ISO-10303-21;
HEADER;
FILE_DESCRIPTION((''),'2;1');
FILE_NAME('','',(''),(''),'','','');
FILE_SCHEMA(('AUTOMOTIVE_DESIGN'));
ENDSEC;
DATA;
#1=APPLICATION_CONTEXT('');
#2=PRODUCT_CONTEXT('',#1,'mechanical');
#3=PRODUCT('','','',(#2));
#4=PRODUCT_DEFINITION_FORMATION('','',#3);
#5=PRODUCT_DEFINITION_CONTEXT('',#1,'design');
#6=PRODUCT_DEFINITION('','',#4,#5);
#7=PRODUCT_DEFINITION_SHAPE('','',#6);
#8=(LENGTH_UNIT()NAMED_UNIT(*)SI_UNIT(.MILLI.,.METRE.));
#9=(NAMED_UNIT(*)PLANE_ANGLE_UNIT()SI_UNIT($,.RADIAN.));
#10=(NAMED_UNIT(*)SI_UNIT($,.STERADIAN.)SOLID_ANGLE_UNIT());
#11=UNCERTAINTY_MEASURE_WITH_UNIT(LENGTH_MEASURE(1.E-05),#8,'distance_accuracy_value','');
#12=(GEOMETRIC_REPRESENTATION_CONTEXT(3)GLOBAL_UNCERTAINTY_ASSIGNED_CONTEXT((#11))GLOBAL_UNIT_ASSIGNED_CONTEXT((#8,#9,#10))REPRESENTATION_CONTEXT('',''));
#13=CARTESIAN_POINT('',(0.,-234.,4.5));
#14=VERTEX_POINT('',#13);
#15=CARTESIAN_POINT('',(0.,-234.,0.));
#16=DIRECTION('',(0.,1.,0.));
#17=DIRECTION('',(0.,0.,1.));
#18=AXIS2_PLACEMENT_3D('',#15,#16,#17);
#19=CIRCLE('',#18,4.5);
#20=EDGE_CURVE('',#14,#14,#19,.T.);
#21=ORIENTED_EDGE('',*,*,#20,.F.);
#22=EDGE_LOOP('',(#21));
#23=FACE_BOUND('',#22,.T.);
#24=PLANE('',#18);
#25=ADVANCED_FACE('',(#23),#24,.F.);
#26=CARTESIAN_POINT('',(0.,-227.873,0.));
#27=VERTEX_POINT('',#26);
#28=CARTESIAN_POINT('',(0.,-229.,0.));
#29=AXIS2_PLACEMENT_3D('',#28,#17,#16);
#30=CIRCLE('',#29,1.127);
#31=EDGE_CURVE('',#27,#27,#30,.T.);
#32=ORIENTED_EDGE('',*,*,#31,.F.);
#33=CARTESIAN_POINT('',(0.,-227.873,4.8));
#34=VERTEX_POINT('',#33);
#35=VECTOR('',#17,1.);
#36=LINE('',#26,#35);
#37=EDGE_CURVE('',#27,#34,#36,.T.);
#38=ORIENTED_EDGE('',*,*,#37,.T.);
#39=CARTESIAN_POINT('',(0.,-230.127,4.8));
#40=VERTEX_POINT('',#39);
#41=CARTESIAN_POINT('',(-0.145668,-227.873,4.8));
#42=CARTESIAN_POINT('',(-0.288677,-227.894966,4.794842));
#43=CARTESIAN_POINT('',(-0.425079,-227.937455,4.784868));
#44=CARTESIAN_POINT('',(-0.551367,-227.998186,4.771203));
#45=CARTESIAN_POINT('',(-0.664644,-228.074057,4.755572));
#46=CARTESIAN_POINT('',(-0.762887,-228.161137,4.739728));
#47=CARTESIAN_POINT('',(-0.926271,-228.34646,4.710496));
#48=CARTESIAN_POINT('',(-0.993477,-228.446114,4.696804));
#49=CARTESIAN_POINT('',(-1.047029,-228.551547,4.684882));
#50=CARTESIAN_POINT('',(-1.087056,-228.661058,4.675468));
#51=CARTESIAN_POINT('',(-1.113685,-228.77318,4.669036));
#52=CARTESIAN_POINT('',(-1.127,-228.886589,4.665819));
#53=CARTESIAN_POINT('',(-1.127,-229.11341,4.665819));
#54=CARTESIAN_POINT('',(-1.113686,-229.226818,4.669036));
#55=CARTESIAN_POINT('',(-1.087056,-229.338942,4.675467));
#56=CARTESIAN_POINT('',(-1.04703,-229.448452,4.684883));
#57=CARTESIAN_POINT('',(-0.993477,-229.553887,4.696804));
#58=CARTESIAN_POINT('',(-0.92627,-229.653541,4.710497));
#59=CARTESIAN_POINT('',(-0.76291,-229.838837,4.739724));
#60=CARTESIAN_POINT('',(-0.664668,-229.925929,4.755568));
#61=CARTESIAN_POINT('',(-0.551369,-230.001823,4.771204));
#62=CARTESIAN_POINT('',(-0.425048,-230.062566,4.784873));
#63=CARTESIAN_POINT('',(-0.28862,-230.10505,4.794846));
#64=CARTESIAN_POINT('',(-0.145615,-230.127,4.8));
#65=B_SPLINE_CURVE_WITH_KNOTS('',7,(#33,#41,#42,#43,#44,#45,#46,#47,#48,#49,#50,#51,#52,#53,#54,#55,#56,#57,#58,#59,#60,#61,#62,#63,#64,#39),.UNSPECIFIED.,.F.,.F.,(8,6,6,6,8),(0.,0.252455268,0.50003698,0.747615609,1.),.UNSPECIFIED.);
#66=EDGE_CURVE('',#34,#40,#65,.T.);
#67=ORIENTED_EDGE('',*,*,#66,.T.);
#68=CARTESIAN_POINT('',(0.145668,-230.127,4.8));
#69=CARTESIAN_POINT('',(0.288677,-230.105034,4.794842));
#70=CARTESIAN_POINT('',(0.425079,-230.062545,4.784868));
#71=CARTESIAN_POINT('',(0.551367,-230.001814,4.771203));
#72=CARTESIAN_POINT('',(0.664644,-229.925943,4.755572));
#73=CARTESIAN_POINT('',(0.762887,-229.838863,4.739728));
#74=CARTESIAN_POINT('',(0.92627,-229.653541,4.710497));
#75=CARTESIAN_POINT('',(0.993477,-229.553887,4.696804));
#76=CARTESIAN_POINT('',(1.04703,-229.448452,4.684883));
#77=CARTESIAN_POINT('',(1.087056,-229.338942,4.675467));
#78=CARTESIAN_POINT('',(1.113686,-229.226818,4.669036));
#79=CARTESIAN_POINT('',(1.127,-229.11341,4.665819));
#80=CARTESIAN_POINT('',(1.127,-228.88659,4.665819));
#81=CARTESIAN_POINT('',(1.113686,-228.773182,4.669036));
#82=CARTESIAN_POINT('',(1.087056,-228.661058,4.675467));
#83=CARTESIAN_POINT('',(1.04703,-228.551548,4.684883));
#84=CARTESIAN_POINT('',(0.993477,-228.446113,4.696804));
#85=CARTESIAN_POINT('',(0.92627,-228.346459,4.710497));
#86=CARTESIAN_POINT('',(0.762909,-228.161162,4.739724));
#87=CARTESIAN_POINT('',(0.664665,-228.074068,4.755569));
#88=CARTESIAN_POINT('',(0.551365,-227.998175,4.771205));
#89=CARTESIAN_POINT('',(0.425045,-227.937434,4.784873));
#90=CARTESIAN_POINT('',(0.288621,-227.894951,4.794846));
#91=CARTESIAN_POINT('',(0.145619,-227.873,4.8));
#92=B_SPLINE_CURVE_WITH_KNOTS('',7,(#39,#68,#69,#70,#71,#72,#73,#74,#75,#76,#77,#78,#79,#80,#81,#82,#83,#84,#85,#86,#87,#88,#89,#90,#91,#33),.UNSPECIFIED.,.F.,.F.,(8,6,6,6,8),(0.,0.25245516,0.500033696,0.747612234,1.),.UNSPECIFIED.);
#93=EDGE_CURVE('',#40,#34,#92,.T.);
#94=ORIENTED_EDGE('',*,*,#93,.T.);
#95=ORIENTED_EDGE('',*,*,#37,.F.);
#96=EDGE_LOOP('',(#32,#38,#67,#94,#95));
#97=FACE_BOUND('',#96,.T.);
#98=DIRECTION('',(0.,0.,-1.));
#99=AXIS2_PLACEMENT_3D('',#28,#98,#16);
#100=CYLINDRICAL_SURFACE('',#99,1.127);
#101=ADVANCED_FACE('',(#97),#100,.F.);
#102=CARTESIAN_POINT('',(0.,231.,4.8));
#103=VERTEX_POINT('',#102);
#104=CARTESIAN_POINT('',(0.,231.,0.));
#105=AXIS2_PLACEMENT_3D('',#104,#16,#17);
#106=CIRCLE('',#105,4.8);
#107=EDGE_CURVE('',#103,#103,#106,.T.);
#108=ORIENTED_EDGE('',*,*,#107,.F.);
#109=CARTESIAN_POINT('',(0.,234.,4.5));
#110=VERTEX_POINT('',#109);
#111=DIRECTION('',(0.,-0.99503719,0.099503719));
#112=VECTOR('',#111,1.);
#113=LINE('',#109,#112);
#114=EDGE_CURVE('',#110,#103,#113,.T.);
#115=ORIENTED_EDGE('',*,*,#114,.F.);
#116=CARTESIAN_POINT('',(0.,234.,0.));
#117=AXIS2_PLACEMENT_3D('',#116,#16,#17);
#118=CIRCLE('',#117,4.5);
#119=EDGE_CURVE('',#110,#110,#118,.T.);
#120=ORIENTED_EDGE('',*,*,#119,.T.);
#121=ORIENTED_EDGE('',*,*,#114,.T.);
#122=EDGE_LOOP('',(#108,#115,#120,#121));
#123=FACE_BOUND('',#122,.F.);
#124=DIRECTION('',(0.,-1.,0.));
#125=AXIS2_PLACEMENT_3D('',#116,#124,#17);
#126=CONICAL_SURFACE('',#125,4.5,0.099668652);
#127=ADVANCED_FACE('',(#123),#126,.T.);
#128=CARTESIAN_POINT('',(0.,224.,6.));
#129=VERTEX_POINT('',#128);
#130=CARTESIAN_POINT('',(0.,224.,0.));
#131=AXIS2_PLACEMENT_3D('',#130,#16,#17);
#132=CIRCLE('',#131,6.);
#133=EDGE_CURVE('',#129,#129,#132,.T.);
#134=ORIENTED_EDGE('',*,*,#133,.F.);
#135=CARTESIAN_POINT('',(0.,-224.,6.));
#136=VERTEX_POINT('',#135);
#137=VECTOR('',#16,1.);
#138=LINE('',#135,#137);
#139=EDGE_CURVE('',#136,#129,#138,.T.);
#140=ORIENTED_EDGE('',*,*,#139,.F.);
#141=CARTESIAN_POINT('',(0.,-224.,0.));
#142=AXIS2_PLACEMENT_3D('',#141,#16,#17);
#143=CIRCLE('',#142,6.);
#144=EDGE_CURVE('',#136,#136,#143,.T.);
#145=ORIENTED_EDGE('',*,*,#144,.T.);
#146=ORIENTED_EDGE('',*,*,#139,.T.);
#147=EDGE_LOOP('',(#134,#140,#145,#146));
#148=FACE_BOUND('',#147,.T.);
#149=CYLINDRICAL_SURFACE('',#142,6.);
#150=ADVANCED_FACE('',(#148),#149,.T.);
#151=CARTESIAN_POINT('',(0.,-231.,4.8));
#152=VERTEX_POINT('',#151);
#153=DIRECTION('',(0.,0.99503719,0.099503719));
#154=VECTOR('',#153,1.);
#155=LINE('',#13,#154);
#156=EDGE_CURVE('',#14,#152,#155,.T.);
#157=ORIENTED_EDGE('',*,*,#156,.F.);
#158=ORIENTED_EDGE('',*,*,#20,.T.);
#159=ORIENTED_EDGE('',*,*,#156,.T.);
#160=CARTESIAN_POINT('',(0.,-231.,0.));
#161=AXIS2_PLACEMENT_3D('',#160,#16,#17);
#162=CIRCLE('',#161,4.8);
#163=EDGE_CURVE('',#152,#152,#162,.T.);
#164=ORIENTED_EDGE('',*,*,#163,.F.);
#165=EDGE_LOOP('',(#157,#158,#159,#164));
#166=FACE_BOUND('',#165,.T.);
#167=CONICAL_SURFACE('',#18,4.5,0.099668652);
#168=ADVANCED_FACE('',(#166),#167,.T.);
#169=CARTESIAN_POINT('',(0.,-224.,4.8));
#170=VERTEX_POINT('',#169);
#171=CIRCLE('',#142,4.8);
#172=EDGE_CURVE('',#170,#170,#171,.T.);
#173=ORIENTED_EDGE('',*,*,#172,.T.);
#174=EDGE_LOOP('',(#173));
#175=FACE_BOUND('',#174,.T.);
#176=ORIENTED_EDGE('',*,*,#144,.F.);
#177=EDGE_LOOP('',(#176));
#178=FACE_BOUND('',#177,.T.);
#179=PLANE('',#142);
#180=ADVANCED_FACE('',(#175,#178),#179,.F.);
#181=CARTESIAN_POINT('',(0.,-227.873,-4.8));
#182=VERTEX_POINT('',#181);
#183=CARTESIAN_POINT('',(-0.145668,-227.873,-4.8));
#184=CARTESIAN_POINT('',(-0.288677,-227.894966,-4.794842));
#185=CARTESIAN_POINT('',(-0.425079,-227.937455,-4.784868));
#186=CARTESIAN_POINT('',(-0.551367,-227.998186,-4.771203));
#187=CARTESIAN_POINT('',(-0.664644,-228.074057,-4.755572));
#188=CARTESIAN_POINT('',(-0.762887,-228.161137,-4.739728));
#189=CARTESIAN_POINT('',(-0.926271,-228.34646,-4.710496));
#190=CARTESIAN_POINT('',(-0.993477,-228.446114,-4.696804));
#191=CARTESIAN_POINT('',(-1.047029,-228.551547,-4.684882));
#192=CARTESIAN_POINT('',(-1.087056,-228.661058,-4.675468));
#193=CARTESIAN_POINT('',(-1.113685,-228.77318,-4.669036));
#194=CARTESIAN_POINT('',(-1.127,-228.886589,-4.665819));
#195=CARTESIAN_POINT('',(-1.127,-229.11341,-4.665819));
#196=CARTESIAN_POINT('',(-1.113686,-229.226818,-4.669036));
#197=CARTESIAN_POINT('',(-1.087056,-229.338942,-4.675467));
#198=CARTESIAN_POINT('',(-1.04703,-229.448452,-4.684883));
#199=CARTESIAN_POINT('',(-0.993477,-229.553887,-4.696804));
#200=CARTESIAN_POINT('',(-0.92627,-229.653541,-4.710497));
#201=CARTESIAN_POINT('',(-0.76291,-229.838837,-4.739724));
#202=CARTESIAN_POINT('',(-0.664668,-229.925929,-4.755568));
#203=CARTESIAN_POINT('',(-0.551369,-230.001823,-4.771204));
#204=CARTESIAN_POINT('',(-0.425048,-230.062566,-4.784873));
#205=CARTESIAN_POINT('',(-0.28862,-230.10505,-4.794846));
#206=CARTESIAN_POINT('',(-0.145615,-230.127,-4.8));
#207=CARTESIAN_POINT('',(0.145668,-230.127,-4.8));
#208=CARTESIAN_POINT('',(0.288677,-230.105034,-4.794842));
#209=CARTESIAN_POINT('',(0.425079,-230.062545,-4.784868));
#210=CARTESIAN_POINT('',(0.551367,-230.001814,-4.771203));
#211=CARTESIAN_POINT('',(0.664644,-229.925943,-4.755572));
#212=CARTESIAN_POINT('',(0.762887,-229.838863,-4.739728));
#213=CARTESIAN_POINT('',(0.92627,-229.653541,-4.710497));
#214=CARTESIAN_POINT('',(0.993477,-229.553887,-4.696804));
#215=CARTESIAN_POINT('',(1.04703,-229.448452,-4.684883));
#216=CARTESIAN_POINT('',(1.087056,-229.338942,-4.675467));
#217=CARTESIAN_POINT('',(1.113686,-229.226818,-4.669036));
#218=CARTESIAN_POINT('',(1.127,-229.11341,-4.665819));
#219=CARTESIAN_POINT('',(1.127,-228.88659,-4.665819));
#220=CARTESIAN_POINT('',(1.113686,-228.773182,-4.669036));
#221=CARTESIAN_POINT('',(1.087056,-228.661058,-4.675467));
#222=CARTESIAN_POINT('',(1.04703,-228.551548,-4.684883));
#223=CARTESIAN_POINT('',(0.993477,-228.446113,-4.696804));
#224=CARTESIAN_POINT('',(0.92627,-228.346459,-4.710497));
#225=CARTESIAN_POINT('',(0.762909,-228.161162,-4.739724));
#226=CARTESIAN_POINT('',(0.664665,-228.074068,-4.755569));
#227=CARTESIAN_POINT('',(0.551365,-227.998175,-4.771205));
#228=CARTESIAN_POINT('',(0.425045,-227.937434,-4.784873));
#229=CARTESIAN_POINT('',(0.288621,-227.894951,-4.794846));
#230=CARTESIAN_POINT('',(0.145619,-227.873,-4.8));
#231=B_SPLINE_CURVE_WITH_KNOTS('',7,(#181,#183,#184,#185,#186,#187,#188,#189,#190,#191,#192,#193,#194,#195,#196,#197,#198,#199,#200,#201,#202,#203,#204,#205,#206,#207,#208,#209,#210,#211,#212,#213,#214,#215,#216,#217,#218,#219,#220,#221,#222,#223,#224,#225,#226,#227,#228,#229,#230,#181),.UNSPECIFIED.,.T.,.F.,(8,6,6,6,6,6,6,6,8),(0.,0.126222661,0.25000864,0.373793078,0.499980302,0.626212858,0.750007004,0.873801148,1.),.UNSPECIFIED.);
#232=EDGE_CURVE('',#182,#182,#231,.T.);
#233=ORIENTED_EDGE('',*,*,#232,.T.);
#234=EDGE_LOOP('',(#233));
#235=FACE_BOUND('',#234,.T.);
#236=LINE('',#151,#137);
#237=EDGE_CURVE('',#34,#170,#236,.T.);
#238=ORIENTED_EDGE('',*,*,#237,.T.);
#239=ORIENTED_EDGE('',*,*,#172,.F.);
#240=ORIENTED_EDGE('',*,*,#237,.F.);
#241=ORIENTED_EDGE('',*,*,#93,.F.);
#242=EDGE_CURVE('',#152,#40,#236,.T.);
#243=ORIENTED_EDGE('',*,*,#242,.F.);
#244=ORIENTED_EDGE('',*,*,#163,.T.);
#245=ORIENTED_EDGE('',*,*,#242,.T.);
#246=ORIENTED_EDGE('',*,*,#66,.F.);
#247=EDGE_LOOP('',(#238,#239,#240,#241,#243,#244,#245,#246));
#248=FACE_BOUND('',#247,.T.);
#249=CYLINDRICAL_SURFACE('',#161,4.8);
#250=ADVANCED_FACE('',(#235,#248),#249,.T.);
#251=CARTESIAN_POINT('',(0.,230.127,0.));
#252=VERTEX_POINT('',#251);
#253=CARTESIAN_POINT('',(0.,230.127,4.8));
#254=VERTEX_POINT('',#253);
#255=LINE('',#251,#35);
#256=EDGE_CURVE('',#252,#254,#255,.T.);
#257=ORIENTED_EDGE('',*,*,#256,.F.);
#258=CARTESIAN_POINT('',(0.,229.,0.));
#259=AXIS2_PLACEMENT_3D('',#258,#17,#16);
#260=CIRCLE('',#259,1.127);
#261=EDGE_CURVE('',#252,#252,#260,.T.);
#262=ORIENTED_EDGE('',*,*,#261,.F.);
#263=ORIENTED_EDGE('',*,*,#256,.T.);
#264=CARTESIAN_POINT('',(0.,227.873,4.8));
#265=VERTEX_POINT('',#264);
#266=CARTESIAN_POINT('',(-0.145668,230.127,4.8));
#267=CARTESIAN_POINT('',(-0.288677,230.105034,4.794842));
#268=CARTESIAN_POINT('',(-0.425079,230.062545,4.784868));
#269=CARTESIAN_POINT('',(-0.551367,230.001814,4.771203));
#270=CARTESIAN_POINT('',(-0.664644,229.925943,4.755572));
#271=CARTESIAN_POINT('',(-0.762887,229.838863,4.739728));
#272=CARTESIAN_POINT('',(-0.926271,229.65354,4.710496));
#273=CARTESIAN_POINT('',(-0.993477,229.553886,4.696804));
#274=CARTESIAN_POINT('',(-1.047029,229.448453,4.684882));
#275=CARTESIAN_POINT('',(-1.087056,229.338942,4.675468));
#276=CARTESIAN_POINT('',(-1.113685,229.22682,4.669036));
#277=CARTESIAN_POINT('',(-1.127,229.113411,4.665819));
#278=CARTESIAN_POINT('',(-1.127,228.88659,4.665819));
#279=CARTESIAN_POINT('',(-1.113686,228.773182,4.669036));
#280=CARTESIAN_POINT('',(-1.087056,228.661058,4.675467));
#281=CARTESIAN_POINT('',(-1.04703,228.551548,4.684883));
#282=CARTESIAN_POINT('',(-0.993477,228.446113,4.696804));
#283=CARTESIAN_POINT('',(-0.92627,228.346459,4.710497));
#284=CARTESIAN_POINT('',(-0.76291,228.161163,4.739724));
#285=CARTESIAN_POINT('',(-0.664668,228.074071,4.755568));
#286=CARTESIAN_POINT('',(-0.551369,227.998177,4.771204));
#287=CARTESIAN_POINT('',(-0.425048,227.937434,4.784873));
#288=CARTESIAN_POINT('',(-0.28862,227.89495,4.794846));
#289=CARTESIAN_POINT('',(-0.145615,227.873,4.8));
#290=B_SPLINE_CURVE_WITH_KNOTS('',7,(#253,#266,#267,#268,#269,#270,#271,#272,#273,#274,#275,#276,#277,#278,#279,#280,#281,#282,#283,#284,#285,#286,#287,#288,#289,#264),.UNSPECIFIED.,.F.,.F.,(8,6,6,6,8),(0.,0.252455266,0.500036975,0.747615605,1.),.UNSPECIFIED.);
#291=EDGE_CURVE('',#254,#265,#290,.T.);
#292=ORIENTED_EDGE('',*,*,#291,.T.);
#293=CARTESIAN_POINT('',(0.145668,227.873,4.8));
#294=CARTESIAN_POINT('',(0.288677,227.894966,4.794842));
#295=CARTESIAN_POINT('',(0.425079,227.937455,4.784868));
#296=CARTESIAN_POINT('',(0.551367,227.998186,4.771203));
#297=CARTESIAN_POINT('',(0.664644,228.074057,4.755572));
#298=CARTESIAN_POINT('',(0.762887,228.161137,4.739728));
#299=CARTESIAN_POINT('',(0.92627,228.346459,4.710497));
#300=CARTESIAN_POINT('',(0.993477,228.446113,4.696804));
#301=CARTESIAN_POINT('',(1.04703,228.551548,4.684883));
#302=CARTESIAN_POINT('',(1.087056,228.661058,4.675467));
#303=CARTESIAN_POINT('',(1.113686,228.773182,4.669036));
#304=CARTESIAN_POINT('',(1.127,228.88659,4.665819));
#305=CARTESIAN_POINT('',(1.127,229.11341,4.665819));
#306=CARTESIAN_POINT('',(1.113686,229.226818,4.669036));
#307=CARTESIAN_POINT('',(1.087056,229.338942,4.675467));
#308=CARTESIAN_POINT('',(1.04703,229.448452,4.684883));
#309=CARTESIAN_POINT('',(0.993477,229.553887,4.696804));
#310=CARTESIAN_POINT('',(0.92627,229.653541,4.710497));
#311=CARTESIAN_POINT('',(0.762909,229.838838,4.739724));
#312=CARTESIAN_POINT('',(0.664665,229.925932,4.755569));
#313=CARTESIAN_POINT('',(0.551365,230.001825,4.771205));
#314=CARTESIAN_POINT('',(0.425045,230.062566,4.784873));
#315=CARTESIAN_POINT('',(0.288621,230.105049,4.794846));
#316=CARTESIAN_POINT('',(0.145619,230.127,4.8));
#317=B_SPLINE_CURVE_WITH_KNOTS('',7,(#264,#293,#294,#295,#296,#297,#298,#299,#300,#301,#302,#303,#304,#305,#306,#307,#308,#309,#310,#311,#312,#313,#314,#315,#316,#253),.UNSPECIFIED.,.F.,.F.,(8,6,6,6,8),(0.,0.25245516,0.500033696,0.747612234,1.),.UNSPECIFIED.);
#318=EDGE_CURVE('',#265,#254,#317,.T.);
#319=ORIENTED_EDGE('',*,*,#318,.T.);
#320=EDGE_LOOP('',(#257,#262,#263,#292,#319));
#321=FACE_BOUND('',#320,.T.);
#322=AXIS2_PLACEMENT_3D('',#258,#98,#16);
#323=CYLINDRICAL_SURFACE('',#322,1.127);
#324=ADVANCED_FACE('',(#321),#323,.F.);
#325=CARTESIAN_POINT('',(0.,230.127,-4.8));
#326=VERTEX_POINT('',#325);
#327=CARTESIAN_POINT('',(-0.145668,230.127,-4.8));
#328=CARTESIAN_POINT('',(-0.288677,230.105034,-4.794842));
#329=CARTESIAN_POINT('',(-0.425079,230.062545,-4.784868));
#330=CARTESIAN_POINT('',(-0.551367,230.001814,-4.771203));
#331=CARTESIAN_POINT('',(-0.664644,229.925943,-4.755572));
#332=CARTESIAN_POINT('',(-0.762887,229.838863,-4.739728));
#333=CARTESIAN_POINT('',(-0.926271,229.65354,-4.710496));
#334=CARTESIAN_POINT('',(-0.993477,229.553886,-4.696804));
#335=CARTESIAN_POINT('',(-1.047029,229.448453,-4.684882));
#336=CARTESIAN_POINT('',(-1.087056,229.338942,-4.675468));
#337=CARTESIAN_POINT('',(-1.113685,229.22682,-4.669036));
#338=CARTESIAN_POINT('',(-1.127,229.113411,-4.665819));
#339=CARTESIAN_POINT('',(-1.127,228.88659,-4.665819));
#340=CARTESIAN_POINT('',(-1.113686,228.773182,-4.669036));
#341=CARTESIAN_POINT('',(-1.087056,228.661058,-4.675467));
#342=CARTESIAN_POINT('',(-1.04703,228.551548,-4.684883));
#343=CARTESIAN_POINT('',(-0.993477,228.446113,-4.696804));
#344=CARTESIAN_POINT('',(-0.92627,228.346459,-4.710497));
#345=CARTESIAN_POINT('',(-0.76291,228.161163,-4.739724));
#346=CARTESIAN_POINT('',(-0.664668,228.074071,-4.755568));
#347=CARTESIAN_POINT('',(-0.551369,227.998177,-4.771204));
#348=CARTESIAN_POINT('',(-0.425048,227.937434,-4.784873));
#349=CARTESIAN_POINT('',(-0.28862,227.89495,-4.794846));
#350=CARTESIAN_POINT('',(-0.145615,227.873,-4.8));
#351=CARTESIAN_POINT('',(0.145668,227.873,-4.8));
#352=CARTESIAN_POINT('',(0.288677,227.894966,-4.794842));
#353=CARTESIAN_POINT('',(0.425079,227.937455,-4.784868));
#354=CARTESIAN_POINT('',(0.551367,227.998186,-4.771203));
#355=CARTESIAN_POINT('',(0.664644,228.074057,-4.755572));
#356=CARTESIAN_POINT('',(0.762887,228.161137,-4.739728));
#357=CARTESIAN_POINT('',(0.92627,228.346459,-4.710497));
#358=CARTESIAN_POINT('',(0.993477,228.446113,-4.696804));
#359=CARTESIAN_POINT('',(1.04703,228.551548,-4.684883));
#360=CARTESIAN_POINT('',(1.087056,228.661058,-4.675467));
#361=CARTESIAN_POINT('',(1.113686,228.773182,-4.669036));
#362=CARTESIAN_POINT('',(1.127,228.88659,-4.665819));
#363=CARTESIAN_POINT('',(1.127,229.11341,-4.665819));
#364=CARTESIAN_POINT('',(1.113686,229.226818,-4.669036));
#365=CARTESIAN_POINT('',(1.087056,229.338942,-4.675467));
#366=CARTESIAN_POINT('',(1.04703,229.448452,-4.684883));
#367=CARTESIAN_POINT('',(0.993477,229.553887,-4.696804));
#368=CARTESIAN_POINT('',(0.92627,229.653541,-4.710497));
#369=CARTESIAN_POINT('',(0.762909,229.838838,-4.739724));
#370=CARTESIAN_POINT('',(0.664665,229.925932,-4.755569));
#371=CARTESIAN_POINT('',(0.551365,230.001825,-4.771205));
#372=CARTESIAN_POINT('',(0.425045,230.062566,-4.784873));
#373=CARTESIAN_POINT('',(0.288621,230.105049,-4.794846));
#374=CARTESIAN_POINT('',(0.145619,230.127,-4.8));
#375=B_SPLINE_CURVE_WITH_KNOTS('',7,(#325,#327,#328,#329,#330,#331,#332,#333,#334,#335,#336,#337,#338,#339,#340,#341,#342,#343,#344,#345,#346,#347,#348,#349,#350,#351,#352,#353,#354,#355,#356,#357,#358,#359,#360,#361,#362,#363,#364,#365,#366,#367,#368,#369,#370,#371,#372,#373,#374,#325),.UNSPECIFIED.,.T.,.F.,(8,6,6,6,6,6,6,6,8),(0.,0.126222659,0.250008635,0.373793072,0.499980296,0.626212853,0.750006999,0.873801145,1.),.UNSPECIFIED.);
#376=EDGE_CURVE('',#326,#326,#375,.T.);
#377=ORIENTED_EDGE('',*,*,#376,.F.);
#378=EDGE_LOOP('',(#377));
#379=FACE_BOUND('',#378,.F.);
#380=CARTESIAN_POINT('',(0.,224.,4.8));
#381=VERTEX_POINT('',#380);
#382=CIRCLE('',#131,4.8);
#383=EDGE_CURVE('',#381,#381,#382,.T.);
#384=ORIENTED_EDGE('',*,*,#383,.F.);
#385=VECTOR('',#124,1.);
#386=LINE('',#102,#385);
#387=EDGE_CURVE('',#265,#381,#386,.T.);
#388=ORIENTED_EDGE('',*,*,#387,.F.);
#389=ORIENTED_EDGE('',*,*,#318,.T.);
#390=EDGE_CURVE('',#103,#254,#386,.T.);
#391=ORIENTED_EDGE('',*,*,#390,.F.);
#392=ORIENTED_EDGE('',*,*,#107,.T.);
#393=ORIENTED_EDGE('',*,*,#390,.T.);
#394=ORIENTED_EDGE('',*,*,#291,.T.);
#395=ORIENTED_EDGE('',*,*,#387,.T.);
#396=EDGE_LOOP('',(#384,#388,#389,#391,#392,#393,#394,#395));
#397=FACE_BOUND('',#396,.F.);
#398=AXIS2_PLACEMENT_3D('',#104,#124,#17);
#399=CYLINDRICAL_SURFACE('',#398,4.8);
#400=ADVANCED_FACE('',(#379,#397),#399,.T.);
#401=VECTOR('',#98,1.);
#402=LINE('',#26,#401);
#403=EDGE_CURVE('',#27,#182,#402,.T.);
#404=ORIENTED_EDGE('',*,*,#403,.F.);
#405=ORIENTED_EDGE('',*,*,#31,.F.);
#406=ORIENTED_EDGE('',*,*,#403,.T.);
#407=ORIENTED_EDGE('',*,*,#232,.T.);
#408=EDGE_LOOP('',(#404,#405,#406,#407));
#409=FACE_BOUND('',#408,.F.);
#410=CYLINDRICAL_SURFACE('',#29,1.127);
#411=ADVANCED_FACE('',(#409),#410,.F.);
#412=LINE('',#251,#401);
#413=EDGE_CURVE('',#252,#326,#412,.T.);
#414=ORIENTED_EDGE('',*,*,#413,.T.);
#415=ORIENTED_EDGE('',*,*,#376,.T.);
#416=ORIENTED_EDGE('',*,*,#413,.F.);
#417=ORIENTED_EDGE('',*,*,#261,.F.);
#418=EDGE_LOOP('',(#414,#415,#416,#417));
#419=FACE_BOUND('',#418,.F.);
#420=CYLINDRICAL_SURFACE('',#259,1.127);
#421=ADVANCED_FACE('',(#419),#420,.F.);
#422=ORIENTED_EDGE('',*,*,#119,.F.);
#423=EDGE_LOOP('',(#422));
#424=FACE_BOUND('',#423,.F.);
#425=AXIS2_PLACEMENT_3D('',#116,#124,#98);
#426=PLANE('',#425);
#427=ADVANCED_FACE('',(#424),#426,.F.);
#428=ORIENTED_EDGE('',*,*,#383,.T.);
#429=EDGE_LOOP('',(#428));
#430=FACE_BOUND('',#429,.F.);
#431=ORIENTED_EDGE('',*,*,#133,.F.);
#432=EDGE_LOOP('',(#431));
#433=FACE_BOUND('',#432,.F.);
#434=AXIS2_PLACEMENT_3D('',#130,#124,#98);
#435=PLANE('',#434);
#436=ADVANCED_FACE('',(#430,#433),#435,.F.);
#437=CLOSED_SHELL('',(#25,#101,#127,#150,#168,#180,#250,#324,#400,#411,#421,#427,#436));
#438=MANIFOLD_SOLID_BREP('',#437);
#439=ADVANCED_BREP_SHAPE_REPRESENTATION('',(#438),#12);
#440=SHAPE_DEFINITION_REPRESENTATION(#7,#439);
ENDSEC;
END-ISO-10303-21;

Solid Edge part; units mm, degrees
sketch "Sketch1" plane through (0, 0, 0) normal (1, 0, 0) x (0, 1, 0)
  line L0 (-234, 0) -> (-234, 4.5)
  line L1 (-234, 4.5) -> (-231, 4.8)
  line L2 (-231, 4.8) -> (-224, 4.8)
  line L3 (-224, 4.8) -> (-224, 6)
  line L4 (-224, 6) -> (0, 6)
  line L5 (0, 6) -> (0, 0)
  dimension "D1" = 4.8
  dimension "D2" = 6
  dimension "D3" = 10
  dimension "D4" = 3
  dimension "D5" = 234
  dimension "D6" = 4.5
revolve "RevolvedProtrusion1" add sketch "Sketch1" angle 360 about axis through (0, -238, 0) along (0, 1, 0)
mirror "Mirror1" about plane through (0, 0, 0) normal (0, -1, 0) of "RevolvedProtrusion1"
hole "Hole1" at (0, -229, 0) direction (0, 0, 1) diameter 2.254 end through all
hole "Hole2" at (0, 229, 0) direction (0, 0, 1) diameter 2.254 end through all
mirror "Mirror2" about plane through (0, 0, 0) normal (0, 0, 1) of "Hole1", "Hole2"
properties part number "19" material "Aluminiumlegierung:3.0205, Al 99.0, EN-AW 1200"
